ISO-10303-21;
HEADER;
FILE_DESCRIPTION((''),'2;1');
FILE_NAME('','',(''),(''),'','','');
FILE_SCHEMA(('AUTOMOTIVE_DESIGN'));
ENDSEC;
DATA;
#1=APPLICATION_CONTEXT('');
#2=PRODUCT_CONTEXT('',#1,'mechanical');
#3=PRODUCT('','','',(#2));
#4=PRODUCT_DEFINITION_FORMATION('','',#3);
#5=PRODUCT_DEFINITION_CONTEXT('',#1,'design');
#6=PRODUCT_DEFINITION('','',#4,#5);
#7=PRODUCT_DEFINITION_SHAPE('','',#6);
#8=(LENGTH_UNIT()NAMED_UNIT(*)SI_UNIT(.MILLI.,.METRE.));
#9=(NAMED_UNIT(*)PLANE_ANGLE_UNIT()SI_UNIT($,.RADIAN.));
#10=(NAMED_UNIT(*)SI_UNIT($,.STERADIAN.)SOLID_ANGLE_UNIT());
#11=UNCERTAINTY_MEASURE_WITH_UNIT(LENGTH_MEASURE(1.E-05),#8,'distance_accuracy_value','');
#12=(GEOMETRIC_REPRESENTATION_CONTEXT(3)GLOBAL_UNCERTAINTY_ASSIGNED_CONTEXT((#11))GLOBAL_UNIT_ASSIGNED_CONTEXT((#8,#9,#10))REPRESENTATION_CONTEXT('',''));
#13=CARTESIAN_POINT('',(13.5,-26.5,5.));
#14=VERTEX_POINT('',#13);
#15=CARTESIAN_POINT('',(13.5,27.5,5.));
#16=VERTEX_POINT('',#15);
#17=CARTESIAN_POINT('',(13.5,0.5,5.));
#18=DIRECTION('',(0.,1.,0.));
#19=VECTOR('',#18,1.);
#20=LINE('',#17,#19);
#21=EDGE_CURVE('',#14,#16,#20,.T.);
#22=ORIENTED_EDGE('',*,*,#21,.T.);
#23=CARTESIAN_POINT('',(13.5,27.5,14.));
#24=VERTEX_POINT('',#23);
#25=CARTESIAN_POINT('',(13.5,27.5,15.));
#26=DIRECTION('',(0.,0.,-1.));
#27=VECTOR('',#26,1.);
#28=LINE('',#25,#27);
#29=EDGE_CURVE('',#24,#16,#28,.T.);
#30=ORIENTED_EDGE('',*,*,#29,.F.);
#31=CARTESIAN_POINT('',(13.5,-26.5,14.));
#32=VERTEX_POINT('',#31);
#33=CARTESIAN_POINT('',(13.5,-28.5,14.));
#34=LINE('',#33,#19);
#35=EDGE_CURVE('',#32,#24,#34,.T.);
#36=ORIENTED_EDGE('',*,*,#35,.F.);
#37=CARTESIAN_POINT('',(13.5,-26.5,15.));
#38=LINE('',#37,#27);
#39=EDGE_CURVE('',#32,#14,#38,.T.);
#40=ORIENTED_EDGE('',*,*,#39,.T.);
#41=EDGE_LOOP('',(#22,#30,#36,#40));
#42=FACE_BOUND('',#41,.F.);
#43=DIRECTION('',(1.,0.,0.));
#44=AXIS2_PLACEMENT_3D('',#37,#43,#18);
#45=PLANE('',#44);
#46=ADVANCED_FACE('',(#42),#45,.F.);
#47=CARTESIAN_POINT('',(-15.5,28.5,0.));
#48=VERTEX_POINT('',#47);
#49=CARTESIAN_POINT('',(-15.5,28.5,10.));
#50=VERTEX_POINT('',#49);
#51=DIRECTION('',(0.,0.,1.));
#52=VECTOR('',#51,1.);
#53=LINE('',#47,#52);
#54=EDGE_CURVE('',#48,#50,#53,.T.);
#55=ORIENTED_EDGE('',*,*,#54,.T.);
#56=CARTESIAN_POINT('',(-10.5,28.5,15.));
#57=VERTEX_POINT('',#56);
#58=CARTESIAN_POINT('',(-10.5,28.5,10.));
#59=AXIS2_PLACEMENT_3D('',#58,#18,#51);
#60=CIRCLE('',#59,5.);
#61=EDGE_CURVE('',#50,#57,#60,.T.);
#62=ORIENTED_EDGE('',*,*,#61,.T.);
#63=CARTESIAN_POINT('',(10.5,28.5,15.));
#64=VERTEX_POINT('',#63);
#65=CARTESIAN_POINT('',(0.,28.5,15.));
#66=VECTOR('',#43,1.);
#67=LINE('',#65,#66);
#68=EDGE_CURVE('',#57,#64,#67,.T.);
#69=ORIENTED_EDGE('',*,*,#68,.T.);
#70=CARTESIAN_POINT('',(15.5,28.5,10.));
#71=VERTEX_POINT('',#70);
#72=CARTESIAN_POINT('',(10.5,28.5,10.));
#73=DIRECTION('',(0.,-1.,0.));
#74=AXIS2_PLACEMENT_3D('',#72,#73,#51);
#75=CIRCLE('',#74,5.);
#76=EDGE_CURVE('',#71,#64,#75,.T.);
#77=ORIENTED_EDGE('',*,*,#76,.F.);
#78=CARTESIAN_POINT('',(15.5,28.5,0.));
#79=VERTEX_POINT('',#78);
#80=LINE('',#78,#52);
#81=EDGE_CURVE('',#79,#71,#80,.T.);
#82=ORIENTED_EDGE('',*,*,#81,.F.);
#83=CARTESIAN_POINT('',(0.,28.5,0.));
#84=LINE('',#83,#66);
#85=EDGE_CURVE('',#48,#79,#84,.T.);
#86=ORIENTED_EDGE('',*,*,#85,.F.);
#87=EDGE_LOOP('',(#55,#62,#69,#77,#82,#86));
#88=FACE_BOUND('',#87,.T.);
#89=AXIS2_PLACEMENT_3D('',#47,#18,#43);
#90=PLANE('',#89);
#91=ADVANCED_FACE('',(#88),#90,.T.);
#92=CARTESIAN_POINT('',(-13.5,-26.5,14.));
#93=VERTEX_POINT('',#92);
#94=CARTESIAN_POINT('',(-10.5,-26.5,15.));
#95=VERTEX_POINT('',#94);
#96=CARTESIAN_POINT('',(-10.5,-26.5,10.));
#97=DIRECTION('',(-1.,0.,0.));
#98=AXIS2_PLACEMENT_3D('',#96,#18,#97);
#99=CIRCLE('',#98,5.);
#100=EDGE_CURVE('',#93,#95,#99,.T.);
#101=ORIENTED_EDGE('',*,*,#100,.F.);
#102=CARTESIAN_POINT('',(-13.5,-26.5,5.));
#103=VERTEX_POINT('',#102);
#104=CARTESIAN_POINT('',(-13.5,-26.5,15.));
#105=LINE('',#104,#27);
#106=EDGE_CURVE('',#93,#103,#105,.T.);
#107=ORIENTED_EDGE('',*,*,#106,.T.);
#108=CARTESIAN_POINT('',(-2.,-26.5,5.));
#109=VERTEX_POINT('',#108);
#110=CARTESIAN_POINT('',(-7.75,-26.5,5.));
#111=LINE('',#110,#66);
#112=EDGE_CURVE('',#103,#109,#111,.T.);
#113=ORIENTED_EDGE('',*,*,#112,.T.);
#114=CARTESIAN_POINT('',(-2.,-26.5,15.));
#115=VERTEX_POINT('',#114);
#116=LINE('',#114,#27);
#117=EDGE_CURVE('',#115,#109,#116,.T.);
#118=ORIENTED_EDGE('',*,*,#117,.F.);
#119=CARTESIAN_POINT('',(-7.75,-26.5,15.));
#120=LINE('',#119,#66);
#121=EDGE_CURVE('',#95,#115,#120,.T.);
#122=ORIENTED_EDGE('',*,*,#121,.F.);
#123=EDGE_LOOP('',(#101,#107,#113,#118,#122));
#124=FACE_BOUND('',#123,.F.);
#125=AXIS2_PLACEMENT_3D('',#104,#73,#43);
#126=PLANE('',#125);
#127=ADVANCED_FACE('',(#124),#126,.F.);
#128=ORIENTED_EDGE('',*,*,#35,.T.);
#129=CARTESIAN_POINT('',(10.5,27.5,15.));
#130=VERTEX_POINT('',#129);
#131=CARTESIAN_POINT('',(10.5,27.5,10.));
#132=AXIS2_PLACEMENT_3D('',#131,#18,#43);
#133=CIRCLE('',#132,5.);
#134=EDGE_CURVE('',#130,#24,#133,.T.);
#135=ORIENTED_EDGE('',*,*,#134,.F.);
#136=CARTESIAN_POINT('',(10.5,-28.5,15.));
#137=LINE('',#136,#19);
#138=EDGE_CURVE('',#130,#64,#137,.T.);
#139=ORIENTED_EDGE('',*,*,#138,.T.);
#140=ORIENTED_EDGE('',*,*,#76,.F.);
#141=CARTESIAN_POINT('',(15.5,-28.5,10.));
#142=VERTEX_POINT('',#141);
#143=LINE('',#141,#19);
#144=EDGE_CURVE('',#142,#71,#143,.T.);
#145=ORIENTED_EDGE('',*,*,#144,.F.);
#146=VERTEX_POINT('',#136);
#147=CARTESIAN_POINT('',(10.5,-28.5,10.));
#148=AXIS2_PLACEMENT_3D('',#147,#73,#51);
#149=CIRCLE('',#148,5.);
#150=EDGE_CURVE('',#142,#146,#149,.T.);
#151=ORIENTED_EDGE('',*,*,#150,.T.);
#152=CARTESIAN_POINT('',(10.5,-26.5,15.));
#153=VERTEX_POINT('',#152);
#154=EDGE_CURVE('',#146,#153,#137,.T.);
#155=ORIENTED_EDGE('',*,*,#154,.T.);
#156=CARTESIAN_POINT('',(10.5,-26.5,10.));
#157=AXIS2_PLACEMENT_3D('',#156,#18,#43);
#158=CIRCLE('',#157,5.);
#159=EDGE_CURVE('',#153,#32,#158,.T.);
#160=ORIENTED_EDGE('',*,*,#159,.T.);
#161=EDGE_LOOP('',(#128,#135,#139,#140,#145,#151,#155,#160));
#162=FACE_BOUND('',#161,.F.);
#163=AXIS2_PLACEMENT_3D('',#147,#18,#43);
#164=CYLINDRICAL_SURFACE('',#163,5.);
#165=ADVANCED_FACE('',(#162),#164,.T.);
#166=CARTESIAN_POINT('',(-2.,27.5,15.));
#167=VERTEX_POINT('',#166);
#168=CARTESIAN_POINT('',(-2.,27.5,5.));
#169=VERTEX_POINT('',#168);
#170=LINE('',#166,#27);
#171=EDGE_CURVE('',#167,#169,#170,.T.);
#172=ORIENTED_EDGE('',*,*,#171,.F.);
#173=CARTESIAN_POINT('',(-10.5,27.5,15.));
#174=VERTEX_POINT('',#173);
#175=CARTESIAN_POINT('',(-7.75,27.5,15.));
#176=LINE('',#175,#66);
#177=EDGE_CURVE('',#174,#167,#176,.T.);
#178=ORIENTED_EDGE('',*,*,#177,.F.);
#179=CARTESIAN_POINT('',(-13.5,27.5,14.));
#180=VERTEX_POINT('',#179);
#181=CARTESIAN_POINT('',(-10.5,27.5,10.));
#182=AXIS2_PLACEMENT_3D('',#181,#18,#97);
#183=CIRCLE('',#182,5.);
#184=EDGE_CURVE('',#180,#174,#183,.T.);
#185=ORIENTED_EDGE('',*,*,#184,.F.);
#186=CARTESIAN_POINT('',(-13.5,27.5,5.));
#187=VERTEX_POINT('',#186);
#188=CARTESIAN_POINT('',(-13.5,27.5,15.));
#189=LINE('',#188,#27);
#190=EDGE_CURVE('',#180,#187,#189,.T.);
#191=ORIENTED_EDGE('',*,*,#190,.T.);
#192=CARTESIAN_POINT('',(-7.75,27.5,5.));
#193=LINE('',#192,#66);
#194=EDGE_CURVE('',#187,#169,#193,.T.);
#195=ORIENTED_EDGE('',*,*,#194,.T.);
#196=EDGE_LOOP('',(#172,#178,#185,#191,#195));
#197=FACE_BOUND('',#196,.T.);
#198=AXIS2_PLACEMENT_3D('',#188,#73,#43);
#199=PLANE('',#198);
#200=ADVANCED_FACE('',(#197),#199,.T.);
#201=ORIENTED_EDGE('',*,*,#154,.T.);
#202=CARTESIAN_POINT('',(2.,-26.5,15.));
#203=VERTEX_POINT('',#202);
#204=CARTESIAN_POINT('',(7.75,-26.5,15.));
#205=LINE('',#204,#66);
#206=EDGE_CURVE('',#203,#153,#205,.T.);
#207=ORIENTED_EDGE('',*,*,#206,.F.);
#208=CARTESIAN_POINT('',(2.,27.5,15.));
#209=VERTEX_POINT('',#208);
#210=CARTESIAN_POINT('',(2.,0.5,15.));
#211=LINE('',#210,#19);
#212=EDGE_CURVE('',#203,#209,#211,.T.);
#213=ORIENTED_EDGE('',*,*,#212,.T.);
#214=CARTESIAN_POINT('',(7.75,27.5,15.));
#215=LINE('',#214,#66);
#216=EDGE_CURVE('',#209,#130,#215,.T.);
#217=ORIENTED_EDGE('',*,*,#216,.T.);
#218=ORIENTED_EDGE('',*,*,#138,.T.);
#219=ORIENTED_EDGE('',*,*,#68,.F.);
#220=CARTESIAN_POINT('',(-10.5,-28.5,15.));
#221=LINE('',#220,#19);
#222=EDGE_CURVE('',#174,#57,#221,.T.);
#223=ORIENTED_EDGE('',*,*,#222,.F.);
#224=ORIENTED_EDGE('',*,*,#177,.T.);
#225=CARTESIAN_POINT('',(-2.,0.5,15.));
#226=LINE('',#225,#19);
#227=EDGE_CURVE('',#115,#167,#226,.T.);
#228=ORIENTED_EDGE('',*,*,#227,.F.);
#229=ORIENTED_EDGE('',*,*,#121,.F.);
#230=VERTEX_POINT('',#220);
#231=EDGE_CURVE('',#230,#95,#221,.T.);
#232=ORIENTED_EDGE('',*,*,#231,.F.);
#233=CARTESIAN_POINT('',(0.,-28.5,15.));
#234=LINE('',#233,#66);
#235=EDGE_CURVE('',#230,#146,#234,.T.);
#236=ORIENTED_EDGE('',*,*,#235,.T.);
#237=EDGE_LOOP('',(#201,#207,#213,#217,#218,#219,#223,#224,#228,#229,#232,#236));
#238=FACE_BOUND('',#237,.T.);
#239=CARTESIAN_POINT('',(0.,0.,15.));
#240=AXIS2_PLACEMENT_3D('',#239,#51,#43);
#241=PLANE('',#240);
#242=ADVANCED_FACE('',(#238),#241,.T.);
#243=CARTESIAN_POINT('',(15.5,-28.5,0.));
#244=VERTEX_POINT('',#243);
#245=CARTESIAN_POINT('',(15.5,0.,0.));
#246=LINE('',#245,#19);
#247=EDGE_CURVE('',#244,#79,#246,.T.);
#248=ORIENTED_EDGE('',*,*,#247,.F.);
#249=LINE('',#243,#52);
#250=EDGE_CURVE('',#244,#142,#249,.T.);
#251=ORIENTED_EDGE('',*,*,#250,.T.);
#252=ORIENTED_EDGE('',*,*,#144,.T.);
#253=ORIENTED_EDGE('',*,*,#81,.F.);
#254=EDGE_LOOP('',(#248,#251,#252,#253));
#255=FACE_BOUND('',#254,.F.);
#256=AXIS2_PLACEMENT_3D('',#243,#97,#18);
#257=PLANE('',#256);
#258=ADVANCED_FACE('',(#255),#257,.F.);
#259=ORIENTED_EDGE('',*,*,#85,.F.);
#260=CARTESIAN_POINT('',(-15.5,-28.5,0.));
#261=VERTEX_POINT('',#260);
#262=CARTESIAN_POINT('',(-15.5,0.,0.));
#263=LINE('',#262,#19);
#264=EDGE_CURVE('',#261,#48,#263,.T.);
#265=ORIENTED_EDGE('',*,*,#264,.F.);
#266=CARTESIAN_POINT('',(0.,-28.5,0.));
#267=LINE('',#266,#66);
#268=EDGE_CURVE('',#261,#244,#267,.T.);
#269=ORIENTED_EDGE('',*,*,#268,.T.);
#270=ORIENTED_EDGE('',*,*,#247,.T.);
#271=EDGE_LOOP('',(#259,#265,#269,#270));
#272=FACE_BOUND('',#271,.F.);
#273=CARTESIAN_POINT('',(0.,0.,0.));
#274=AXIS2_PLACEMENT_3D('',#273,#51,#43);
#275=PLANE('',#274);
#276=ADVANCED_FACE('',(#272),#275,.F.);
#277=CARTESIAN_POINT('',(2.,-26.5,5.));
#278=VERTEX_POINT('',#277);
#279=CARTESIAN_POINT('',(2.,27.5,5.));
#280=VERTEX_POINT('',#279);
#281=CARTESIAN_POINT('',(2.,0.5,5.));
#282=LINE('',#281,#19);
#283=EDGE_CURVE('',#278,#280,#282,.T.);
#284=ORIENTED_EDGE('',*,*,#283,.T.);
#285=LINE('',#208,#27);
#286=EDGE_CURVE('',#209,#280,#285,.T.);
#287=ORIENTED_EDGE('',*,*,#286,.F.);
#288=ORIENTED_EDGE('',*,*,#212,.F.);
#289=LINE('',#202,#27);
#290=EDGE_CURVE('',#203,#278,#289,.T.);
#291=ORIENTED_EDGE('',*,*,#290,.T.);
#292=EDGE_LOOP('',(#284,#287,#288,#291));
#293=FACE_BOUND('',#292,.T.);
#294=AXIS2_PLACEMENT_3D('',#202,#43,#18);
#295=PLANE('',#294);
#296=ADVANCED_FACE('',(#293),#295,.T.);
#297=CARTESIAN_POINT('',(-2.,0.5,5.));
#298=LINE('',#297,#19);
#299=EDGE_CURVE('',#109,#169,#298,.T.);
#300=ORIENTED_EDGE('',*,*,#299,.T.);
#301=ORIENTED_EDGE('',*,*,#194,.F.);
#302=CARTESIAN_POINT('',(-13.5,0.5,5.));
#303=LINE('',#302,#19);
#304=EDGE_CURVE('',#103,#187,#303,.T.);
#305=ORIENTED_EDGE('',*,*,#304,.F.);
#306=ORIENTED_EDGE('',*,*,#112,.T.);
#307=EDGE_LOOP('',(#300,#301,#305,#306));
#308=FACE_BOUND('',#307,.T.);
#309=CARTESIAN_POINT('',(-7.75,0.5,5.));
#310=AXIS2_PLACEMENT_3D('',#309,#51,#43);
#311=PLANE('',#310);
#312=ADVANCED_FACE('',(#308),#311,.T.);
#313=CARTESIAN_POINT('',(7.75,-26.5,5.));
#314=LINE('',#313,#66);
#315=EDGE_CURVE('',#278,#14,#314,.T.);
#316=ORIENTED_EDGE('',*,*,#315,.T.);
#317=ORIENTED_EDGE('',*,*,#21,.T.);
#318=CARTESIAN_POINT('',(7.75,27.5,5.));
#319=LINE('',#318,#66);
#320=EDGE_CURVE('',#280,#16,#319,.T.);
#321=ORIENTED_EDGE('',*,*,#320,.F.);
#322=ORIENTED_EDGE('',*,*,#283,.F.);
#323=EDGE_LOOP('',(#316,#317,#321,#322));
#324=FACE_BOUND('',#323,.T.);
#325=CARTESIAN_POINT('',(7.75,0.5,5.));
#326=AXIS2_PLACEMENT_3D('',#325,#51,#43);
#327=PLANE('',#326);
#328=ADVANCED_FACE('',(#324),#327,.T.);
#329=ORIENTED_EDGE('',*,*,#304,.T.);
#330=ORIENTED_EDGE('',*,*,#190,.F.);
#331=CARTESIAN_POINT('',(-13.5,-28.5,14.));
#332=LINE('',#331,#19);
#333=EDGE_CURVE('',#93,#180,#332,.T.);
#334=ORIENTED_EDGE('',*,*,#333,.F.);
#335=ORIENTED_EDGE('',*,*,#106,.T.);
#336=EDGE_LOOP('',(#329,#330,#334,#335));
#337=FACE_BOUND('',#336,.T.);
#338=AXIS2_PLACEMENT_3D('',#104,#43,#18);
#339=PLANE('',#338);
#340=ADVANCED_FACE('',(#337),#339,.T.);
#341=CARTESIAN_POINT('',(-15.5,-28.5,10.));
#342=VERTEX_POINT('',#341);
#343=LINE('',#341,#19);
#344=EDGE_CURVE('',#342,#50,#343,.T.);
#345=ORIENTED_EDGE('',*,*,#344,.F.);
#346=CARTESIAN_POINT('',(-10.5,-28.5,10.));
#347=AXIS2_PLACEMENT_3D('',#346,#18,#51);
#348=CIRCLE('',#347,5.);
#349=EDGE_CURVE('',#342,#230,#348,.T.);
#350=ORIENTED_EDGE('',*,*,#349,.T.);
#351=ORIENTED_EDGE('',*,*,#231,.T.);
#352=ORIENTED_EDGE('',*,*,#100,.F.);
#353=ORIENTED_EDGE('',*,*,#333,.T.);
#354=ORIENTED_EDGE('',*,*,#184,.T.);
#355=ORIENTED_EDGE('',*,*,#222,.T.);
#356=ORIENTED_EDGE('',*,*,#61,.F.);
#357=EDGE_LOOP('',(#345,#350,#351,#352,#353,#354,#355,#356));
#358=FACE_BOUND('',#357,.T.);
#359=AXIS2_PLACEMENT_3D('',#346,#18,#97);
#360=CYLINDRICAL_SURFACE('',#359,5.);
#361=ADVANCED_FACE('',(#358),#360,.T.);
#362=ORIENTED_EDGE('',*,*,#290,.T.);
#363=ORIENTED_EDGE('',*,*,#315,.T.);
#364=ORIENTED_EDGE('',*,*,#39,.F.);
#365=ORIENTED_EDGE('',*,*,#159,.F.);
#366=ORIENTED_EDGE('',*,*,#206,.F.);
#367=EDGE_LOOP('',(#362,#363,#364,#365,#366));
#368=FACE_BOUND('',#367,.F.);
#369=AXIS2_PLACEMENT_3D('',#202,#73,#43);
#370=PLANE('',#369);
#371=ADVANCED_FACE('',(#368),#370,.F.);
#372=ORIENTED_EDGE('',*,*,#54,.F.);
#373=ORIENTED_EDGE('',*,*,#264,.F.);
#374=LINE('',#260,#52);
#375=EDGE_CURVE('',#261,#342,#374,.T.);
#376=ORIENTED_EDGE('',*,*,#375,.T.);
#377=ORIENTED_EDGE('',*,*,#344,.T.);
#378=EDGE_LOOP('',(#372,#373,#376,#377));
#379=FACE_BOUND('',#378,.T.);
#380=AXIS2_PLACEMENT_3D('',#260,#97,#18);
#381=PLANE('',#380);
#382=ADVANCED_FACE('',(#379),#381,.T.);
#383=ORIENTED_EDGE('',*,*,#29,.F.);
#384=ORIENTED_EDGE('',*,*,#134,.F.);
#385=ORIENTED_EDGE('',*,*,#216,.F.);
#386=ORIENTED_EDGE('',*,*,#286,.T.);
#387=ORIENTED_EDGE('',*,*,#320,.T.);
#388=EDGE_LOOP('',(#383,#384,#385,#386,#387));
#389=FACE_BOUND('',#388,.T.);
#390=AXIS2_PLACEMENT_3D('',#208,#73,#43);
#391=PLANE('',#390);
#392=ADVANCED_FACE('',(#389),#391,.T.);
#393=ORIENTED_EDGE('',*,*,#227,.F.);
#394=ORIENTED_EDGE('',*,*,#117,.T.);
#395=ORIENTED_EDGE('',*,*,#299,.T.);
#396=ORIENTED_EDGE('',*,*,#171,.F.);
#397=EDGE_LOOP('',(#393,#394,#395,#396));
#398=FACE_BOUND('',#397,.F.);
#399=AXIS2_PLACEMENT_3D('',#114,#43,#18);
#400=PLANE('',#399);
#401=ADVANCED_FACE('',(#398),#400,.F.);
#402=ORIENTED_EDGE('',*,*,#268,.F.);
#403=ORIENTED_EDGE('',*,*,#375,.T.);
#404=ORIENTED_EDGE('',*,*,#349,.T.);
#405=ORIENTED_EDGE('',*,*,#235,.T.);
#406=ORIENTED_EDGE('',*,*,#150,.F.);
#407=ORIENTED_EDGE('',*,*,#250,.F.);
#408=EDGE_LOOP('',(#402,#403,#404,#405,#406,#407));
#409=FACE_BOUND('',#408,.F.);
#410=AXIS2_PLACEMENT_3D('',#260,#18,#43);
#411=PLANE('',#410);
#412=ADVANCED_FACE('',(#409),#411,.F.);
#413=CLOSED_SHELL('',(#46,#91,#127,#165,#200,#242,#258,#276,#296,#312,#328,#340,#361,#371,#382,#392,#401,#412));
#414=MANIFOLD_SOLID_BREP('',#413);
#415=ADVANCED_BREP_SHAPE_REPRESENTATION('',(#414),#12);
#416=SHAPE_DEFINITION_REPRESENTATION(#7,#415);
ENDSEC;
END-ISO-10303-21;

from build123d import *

# Parameters (mm, degrees)
F0_W     = 31
F0_H     = 57
F1_DEPTH = 15
F2_R     = 5
F3_W     = 11.5
F3_H     = 54
F4_DEPTH = 10


with BuildPart() as f1:
    # F0 (on Top) → F1 (new body)
    with BuildSketch(Plane.XY):
        Rectangle(F0_W, F0_H)
    extrude(amount=F1_DEPTH)

    # F2
    f2_edges = [f1.edges().sort_by_distance(p)[0] for p in [
        (15.5, 0, 15),
        (-15.5, 0, 15),
    ]]
    fillet(f2_edges, radius=F2_R)

    # F3 (on face) → F4 (cut)
    with BuildSketch(Plane.XY.offset(15)):
        with Locations((7.75, 0.5)):
            Rectangle(F3_W, F3_H)
        with Locations((-7.75, 0.5)):
            Rectangle(F3_W, F3_H)
    extrude(amount=-F4_DEPTH, mode=Mode.SUBTRACT)


solid = f1.part
